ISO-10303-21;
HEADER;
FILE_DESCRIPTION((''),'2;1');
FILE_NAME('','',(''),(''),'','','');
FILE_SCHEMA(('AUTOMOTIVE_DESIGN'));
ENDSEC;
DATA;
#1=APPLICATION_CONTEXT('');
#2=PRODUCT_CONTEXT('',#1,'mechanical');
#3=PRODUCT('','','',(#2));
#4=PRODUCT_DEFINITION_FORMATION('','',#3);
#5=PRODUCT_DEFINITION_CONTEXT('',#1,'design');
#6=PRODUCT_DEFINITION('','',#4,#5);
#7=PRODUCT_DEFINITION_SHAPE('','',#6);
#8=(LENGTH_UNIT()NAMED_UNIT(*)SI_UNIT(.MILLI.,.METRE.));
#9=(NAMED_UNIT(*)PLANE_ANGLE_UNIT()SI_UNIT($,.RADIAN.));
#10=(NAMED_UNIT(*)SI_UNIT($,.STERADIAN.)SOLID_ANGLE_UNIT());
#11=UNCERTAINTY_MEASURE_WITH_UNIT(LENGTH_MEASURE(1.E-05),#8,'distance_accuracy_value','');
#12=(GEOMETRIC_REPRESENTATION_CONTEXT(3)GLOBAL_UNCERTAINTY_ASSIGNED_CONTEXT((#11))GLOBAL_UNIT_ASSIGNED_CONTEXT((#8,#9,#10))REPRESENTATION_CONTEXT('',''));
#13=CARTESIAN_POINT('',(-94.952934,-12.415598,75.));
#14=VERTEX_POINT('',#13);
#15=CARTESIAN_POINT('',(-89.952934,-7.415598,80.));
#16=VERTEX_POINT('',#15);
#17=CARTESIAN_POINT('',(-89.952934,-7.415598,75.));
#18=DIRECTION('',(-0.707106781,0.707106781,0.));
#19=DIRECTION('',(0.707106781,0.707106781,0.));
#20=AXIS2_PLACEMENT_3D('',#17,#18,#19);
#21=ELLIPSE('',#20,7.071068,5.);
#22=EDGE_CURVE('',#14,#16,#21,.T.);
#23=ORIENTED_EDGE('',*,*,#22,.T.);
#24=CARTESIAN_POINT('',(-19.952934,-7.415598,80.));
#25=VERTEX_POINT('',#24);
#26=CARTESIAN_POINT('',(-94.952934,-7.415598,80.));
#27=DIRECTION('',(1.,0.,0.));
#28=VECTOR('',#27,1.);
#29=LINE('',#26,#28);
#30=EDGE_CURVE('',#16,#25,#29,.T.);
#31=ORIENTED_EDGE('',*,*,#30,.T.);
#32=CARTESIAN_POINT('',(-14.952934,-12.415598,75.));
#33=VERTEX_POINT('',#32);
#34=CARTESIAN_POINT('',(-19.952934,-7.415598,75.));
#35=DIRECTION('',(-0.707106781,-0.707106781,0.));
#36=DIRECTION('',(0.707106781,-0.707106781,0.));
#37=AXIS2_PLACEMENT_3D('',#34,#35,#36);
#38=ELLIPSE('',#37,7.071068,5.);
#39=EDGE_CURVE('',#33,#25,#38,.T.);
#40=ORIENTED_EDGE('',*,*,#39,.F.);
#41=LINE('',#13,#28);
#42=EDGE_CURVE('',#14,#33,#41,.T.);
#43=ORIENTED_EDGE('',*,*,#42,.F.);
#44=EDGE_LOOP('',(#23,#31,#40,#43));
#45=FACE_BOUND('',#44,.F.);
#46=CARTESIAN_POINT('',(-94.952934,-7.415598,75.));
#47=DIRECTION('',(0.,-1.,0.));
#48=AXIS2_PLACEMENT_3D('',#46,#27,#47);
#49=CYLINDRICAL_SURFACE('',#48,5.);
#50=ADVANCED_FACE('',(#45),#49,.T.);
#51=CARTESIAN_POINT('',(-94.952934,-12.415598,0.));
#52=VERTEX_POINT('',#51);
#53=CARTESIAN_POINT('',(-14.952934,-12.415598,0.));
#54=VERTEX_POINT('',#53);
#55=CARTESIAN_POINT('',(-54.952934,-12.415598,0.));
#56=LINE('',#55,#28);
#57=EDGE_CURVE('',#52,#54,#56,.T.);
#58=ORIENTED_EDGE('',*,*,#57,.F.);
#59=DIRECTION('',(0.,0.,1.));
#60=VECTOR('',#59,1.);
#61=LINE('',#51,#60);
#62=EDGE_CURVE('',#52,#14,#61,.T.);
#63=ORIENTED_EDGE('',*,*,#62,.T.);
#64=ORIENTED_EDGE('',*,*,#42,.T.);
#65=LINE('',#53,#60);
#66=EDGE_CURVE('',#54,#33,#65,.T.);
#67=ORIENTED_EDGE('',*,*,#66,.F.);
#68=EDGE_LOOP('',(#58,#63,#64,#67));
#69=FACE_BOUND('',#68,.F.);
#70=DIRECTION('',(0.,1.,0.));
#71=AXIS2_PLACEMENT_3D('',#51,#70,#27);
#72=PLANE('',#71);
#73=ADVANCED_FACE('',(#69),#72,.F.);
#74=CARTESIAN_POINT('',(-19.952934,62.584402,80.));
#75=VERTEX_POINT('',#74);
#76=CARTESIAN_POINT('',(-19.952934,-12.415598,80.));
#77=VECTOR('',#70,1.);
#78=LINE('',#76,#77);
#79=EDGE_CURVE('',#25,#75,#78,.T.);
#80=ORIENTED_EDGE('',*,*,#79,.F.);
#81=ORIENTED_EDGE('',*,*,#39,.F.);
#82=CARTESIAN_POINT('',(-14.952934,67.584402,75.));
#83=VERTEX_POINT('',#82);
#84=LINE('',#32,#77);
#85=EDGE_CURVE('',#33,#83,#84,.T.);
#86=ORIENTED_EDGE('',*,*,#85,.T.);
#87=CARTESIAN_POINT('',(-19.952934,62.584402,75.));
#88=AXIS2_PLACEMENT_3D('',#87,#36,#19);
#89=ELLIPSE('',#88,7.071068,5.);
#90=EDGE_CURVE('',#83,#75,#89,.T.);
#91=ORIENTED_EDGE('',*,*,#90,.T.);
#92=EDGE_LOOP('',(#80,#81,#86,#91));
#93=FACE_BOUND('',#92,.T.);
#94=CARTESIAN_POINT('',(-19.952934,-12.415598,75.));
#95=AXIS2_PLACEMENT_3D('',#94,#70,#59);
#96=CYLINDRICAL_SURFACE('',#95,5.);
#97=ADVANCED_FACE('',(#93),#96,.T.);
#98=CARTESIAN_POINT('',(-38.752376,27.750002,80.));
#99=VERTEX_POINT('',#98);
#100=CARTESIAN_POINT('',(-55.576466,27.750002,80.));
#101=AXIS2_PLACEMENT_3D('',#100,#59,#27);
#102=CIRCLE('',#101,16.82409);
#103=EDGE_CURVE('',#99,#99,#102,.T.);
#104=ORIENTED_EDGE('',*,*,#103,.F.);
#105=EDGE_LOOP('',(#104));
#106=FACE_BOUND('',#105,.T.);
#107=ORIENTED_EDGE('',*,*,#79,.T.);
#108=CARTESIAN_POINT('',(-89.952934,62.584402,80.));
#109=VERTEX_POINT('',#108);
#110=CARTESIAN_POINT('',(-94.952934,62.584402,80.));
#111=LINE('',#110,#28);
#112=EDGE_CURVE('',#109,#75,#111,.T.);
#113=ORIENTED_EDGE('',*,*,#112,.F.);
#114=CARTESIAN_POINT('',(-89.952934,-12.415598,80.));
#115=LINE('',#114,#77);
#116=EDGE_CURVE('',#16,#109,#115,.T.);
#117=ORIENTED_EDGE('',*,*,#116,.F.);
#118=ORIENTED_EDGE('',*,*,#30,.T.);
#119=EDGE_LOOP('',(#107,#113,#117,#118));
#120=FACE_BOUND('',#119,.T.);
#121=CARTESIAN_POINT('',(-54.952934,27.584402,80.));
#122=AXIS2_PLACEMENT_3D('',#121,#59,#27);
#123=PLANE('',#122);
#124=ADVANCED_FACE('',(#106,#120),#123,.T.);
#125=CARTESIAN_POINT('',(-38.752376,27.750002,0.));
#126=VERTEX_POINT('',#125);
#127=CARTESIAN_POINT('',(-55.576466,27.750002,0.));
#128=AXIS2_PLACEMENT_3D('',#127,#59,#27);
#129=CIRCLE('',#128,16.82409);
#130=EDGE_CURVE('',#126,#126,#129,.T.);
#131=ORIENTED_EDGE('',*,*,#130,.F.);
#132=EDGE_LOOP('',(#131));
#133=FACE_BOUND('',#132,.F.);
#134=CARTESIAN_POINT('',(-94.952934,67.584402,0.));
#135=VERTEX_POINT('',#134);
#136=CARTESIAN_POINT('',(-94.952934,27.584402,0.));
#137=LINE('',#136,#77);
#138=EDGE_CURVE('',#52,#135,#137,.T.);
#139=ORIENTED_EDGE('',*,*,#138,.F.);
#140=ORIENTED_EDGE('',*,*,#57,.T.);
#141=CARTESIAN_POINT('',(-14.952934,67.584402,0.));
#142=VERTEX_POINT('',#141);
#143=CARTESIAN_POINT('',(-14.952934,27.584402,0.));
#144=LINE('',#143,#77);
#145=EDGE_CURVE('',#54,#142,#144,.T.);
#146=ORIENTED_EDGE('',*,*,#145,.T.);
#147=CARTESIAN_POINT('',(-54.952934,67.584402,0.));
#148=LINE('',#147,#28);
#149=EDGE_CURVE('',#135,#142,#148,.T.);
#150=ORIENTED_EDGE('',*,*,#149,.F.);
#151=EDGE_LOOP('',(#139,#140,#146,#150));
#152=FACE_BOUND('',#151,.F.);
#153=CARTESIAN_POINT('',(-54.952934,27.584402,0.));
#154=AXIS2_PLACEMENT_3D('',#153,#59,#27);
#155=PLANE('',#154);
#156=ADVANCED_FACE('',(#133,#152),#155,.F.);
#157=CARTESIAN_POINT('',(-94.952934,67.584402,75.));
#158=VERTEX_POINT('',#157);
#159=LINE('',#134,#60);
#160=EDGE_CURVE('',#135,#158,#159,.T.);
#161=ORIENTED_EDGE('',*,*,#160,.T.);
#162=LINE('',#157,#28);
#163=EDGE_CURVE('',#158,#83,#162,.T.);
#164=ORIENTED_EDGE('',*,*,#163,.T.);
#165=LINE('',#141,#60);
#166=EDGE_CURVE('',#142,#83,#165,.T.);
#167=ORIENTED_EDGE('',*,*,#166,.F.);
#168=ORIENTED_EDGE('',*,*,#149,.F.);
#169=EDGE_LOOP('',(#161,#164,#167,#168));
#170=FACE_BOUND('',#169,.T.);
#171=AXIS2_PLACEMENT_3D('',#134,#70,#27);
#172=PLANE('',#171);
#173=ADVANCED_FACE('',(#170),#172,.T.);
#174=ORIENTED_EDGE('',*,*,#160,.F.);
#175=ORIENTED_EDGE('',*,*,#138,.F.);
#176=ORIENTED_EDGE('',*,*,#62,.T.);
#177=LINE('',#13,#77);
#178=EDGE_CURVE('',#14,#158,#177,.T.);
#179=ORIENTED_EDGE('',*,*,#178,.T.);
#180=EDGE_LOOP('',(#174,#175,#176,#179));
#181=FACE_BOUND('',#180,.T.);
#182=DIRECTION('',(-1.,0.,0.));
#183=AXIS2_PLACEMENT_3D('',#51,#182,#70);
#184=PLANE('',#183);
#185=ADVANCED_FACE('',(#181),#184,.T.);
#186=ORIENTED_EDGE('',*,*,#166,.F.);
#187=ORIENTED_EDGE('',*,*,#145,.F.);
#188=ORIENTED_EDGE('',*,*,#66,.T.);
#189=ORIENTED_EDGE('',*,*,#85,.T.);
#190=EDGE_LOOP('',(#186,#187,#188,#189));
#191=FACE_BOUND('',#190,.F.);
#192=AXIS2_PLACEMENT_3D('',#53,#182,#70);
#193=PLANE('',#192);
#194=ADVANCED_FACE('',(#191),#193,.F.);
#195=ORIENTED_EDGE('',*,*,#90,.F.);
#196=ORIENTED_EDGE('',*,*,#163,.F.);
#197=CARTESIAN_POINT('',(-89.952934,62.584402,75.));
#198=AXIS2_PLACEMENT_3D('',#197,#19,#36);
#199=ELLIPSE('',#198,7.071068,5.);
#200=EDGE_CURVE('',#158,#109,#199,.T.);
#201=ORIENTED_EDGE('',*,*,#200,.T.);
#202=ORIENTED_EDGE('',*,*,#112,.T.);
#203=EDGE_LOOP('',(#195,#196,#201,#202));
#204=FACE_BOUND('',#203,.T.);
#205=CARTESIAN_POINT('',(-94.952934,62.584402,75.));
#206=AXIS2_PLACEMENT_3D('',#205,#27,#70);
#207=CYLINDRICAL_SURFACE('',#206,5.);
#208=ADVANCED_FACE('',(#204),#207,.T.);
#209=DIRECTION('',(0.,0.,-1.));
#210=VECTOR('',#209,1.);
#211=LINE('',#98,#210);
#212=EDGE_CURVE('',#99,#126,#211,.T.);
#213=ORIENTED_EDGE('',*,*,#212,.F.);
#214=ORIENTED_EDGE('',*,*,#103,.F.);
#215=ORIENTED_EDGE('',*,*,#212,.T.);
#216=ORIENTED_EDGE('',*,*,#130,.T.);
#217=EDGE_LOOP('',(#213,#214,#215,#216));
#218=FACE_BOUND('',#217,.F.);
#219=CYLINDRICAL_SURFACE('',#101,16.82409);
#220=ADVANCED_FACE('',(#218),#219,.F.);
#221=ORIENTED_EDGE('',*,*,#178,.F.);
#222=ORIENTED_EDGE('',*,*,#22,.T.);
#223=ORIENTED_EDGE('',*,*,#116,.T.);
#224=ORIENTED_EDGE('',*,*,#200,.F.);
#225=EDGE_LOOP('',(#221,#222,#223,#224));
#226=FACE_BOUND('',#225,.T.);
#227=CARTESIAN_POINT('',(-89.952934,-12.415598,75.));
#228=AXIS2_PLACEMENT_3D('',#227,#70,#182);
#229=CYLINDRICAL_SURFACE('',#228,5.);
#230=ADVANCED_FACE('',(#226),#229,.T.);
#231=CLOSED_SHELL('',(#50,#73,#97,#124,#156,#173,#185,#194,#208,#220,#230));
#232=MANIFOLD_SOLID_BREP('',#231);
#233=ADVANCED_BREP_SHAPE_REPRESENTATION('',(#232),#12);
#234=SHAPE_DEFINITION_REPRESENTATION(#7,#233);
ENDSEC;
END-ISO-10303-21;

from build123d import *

# Parameters (mm, degrees)
F0_W     = 80
F0_H     = 80
F1_DEPTH = 80
F2_R     = 16.82409
F3_DEPTH = 80.001
F4_R     = 5


with BuildPart() as f1:
    # F0 (on Top) → F1 (new body)
    with BuildSketch(Plane.XY):
        with Locations((-54.952934, 27.584402)):
            Rectangle(F0_W, F0_H)
    extrude(amount=F1_DEPTH)

    # F2 (on face) → F3 (cut, through all)
    with BuildSketch(Plane.XY.offset(80)):
        with Locations((-55.576466, 27.750002)):
            Circle(F2_R)
    extrude(amount=-F3_DEPTH, mode=Mode.SUBTRACT)

    # F4
    f4_edges = [f1.edges().sort_by_distance(p)[0] for p in [
        (-54.952934, 67.584402, 80),
        (-94.952934, 27.584402, 80),
        (-54.952934, -12.415598, 80),
        (-14.952934, 27.584402, 80),
    ]]
    fillet(f4_edges, radius=F4_R)


solid = f1.part
